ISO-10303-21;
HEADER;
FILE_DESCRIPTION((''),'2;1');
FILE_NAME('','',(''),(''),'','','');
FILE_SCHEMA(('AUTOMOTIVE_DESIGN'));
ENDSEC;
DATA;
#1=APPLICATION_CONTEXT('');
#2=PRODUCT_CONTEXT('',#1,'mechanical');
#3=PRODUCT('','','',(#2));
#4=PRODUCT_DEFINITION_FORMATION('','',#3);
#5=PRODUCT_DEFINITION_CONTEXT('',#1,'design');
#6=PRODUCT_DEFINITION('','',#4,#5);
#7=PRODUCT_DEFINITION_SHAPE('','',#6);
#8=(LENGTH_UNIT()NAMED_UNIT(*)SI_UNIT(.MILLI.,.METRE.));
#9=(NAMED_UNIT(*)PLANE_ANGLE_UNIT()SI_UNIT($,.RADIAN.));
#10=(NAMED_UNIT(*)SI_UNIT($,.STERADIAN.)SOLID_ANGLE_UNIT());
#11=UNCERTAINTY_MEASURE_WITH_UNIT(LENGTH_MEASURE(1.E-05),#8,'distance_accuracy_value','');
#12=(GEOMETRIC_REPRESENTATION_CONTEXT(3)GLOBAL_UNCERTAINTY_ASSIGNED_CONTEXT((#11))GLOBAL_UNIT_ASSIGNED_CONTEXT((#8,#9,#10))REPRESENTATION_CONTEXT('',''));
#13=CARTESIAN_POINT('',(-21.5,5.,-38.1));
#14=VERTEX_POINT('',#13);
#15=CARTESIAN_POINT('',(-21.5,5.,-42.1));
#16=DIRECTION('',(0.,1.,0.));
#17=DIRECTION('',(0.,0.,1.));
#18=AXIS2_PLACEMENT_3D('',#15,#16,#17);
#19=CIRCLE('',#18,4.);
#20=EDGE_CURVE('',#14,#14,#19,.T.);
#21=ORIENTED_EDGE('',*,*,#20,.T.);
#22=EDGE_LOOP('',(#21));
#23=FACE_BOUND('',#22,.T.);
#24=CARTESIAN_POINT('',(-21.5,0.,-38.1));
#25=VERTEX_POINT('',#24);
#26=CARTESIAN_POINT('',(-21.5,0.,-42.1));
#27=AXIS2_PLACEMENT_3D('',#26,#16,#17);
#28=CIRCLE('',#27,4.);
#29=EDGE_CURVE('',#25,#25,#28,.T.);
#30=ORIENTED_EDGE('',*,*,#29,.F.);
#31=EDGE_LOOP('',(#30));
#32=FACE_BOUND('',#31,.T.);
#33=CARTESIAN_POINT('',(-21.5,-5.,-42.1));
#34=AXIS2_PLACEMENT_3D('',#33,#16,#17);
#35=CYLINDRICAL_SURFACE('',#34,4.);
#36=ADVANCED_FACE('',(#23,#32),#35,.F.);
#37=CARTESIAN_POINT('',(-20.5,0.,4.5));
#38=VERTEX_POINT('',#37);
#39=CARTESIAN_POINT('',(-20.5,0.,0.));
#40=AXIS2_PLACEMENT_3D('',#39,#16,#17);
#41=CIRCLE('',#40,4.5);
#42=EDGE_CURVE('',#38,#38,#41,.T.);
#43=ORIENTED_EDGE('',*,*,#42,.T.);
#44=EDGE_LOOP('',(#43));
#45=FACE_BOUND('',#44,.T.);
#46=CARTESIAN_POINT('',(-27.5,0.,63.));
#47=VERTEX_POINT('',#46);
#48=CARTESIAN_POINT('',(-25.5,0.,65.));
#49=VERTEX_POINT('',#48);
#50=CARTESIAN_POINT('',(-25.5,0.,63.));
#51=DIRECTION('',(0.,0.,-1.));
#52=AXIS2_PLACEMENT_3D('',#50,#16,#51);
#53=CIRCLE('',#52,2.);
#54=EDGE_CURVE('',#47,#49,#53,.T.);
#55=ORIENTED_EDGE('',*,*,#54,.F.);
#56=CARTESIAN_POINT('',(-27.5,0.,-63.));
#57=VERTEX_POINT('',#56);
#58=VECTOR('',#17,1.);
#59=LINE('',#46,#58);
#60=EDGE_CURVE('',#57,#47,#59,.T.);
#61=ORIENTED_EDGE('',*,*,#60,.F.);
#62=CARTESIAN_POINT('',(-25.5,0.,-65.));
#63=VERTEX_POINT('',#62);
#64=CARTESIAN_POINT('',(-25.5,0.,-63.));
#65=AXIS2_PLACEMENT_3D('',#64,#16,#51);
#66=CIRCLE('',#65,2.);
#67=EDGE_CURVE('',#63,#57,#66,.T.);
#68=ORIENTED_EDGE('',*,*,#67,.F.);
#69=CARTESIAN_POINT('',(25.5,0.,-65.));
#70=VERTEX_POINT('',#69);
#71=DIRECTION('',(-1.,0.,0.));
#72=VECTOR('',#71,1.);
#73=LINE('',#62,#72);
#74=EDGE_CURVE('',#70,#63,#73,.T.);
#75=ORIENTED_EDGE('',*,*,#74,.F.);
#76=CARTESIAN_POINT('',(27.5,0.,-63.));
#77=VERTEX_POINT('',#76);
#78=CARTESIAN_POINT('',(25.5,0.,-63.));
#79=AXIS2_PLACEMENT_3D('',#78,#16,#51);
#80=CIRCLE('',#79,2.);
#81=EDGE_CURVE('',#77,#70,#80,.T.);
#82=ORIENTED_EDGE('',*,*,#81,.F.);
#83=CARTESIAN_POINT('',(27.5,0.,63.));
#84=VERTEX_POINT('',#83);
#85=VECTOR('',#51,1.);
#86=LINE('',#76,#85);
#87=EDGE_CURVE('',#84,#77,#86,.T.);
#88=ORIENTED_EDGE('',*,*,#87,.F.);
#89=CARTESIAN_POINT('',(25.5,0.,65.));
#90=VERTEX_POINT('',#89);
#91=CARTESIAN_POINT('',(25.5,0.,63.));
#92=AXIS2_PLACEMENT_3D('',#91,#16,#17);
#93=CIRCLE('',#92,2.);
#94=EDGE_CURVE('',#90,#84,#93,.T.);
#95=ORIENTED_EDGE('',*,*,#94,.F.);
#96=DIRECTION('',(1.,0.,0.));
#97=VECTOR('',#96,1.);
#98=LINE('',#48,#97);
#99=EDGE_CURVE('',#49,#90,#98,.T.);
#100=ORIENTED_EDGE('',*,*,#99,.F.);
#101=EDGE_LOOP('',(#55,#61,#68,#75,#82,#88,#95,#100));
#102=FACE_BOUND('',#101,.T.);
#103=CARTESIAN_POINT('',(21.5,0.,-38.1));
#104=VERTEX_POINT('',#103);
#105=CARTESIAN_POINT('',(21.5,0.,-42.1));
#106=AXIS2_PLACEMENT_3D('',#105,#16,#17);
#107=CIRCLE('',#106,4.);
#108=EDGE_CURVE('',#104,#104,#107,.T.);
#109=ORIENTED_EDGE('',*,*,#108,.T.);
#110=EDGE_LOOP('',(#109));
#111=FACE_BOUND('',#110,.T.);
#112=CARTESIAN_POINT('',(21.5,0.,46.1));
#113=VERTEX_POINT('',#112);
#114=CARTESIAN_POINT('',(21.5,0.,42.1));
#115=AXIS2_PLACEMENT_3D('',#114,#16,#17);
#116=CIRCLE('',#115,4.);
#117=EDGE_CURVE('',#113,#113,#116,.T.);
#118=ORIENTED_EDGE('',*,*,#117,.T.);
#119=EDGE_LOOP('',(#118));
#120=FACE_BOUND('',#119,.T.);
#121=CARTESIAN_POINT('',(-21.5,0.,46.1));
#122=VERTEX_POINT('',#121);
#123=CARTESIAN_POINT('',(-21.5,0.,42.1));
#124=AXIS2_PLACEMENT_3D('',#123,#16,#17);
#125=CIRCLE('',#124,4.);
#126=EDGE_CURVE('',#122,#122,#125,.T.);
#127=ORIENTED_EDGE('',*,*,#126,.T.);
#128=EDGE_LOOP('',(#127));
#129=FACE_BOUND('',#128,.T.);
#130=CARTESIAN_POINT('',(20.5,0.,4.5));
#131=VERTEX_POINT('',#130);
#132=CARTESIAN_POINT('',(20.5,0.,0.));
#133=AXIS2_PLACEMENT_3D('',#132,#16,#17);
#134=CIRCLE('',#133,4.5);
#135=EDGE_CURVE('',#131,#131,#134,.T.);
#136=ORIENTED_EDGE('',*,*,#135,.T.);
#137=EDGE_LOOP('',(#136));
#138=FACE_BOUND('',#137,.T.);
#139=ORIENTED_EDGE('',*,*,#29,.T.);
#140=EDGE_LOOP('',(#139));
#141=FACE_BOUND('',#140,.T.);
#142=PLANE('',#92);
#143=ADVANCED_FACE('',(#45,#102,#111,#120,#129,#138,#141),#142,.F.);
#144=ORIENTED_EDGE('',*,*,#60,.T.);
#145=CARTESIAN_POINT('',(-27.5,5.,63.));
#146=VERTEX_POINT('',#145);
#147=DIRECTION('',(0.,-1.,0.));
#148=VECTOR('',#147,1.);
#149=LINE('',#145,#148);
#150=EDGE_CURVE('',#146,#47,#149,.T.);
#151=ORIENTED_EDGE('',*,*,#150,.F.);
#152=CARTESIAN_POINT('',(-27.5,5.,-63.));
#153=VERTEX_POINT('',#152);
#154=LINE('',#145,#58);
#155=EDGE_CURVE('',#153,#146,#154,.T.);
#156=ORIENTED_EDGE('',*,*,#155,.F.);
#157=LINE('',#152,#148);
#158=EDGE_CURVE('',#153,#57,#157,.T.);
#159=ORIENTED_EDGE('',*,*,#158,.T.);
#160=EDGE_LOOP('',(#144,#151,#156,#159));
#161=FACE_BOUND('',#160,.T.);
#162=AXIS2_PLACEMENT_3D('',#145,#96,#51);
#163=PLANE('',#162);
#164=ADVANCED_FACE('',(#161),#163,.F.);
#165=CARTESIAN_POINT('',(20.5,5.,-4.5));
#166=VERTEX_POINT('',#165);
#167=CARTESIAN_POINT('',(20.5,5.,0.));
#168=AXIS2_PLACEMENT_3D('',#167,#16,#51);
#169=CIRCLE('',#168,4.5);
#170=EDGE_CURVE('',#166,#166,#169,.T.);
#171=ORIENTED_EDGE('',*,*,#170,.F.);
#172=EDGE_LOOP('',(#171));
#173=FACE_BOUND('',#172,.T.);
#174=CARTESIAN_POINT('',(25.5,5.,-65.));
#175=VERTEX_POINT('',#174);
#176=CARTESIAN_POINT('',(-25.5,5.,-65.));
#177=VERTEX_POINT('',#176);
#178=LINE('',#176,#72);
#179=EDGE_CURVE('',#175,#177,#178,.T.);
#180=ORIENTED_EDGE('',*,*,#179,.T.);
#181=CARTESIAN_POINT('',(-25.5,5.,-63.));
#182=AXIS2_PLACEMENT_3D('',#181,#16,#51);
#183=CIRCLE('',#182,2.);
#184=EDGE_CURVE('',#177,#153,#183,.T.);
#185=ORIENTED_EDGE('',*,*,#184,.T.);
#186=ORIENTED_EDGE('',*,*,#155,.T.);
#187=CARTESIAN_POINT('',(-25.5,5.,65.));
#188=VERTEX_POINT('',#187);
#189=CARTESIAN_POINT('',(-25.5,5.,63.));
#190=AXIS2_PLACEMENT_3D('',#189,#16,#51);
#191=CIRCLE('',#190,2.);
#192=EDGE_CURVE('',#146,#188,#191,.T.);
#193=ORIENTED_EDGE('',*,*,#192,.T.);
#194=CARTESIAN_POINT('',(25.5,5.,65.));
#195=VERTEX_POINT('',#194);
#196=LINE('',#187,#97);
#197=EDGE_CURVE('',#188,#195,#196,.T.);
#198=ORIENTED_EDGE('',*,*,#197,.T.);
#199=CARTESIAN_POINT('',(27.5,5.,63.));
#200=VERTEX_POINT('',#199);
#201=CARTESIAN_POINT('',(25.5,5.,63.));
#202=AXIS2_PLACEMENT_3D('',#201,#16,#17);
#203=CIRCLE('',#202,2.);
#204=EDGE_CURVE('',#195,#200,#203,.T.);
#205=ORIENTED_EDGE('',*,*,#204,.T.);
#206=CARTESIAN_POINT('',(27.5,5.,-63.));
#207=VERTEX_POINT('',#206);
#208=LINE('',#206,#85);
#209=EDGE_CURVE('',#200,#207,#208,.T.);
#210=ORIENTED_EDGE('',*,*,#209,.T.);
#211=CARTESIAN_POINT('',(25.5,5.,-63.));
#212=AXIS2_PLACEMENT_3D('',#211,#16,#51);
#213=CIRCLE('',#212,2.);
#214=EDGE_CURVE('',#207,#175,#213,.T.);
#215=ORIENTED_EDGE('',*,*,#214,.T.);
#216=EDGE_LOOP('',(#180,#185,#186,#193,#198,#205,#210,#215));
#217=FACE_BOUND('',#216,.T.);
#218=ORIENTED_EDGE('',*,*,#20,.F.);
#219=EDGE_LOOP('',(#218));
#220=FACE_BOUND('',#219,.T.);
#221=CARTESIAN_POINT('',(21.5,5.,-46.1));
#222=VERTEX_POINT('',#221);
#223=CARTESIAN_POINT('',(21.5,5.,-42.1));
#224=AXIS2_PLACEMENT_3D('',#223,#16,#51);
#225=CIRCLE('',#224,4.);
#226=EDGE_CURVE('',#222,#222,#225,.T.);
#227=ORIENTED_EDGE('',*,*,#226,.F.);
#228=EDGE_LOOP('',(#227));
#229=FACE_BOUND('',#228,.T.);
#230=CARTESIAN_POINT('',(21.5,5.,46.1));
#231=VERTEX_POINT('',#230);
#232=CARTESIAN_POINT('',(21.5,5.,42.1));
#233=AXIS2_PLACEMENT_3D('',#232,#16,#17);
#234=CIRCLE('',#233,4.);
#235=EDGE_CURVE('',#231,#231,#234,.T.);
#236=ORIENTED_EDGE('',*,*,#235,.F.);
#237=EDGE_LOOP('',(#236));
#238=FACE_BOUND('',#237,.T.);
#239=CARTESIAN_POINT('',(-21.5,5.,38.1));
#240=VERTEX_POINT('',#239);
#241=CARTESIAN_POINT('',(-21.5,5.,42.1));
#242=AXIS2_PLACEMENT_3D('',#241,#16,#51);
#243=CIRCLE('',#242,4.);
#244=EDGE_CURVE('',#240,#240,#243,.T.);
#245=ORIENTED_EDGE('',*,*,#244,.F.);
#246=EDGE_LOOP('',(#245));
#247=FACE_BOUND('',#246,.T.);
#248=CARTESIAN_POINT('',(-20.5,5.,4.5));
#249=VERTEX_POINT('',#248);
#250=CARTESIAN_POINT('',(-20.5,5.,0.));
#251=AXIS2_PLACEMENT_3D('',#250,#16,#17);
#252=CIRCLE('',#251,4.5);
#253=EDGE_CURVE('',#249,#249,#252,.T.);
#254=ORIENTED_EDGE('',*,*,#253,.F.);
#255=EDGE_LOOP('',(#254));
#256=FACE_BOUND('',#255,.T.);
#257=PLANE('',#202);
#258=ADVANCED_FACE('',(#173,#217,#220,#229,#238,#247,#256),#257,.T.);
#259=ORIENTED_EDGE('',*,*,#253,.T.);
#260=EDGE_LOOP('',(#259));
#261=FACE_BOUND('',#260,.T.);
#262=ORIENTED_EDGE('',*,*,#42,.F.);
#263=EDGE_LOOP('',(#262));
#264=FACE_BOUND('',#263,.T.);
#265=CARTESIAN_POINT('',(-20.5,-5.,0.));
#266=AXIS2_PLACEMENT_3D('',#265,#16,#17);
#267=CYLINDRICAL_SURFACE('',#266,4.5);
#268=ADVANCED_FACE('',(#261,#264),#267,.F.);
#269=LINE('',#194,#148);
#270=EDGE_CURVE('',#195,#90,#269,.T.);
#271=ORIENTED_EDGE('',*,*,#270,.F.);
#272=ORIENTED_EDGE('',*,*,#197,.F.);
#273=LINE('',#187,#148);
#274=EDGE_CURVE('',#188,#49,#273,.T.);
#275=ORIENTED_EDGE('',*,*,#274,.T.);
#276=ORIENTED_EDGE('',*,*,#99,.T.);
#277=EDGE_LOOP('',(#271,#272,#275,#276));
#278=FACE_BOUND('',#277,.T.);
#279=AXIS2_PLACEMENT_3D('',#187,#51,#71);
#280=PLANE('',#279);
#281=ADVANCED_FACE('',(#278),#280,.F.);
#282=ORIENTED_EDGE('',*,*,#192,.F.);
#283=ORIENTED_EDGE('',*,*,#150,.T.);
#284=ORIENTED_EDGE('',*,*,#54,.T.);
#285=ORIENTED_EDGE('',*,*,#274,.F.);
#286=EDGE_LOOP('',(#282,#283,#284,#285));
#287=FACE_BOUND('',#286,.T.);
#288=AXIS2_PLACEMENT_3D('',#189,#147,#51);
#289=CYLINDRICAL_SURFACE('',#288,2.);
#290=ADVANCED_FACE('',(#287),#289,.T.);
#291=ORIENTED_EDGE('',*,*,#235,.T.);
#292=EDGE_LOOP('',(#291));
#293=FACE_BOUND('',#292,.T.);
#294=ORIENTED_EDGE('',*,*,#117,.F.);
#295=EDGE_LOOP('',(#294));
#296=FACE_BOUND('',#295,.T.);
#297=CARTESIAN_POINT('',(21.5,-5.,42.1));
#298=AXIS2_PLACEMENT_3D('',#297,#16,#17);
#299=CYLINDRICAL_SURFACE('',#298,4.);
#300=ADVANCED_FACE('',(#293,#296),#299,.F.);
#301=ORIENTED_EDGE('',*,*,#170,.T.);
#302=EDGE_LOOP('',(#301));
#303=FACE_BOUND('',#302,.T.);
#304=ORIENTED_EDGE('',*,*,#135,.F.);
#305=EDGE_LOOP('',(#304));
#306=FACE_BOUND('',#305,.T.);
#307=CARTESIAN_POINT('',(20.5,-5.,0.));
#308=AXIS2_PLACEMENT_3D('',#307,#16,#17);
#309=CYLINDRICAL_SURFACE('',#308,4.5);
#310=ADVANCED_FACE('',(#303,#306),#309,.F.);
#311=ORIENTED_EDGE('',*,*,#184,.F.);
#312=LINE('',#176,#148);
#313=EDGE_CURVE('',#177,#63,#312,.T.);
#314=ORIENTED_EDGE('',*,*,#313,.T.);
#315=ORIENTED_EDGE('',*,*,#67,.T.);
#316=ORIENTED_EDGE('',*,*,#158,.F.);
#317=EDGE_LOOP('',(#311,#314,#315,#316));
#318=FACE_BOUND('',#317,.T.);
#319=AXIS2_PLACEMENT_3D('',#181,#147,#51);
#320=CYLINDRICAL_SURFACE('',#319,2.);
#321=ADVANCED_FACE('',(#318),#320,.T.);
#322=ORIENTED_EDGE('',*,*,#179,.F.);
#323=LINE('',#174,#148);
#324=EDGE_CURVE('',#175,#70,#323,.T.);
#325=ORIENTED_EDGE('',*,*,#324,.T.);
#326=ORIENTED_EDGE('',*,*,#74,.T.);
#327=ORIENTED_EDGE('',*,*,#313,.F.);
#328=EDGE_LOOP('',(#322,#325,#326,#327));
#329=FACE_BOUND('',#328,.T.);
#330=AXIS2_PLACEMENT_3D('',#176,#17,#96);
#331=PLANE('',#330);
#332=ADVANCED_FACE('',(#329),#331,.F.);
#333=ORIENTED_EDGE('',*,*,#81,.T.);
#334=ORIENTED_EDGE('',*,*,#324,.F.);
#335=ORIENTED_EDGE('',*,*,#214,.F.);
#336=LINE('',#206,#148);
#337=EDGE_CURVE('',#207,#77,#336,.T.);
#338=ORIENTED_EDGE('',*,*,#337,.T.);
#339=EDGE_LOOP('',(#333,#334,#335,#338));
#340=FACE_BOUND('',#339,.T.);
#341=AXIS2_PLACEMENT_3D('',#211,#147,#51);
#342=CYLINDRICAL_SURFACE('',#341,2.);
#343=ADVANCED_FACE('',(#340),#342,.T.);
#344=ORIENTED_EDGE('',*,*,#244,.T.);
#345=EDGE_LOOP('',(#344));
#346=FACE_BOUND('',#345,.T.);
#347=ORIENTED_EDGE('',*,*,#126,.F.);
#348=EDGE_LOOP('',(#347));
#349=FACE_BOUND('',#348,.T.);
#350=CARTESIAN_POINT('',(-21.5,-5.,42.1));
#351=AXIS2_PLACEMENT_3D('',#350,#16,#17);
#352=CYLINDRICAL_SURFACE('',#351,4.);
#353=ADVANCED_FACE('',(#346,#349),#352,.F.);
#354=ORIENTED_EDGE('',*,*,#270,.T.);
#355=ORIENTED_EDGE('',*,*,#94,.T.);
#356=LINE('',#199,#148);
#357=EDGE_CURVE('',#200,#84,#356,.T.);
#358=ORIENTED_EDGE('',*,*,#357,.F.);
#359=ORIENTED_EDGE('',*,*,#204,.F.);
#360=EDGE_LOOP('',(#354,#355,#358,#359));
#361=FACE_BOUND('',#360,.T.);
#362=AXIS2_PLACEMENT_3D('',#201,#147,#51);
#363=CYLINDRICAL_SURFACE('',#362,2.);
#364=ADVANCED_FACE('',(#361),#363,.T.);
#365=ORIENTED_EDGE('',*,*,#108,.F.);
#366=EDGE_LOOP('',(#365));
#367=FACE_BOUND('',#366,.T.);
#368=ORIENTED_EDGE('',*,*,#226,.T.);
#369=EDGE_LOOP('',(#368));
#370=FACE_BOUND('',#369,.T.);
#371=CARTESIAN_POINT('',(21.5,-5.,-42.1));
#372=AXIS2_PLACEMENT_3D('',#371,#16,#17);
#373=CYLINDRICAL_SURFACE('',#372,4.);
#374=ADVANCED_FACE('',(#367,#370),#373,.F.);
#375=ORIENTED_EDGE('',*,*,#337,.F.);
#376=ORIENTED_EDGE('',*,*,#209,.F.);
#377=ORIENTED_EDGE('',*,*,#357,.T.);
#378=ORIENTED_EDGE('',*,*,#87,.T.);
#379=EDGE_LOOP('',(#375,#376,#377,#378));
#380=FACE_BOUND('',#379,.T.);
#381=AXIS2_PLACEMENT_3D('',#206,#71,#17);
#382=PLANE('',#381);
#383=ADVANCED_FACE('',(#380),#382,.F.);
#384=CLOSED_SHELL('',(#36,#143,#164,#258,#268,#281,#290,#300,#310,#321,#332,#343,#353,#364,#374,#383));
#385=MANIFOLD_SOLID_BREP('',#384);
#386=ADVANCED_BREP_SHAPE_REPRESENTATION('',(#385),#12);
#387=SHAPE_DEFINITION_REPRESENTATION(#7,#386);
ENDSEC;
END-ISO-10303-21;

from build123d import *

# Parameters (mm, degrees)
SALIENTE_EXTRUIR1_DEPTH = 5
CROQUIS2_R              = 4.5
CROQUIS2_R_2            = 4
CORTAR_EXTRUIR1_DEPTH   = 10


with BuildPart() as part:
    # Croquis1 → Saliente-Extruir1 (new body)
    with BuildSketch(Plane(origin=(0, 0, 0), x_dir=(1, 0, 0), z_dir=(0, 1, 0))):
        with BuildLine():
            Line((-27.5, -63), (-27.5, 63))
            ThreePointArc((-27.5, 63), (-26.914213562, 64.414213562), (-25.5, 65))
            Line((-25.5, 65), (25.5, 65))
            ThreePointArc((25.5, 65), (26.914213562, 64.414213562), (27.5, 63))
            Line((27.5, 63), (27.5, -63))
            ThreePointArc((27.5, -63), (26.914213562, -64.414213562), (25.5, -65))
            Line((25.5, -65), (-25.5, -65))
            ThreePointArc((-25.5, -65), (-26.914213562, -64.414213562), (-27.5, -63))
        make_face()
    extrude(amount=SALIENTE_EXTRUIR1_DEPTH)

    # Croquis2 → Cortar-Extruir1 (cut)
    with BuildSketch(Plane(origin=(0, 5, 0), x_dir=(1, 0, 0), z_dir=(0, 1, 0))):
        with Locations(Location((-20.5, 0, 0), (0, 0, 270))):
            Circle(CROQUIS2_R)
        with Locations(Location((20.5, 0, 0), (0, 0, 270))):
            Circle(CROQUIS2_R)
        with Locations(Location((-21.5, 42.1, 0), (0, 0, 270))):
            Circle(CROQUIS2_R_2)
        with Locations(Location((-21.5, -42.1, 0), (0, 0, 270))):
            Circle(CROQUIS2_R_2)
        with Locations(Location((21.5, 42.1, 0), (0, 0, 270))):
            Circle(CROQUIS2_R_2)
        with Locations(Location((21.5, -42.1, 0), (0, 0, 270))):
            Circle(CROQUIS2_R_2)
    extrude(amount=-CORTAR_EXTRUIR1_DEPTH, mode=Mode.SUBTRACT)


solid = part.part
